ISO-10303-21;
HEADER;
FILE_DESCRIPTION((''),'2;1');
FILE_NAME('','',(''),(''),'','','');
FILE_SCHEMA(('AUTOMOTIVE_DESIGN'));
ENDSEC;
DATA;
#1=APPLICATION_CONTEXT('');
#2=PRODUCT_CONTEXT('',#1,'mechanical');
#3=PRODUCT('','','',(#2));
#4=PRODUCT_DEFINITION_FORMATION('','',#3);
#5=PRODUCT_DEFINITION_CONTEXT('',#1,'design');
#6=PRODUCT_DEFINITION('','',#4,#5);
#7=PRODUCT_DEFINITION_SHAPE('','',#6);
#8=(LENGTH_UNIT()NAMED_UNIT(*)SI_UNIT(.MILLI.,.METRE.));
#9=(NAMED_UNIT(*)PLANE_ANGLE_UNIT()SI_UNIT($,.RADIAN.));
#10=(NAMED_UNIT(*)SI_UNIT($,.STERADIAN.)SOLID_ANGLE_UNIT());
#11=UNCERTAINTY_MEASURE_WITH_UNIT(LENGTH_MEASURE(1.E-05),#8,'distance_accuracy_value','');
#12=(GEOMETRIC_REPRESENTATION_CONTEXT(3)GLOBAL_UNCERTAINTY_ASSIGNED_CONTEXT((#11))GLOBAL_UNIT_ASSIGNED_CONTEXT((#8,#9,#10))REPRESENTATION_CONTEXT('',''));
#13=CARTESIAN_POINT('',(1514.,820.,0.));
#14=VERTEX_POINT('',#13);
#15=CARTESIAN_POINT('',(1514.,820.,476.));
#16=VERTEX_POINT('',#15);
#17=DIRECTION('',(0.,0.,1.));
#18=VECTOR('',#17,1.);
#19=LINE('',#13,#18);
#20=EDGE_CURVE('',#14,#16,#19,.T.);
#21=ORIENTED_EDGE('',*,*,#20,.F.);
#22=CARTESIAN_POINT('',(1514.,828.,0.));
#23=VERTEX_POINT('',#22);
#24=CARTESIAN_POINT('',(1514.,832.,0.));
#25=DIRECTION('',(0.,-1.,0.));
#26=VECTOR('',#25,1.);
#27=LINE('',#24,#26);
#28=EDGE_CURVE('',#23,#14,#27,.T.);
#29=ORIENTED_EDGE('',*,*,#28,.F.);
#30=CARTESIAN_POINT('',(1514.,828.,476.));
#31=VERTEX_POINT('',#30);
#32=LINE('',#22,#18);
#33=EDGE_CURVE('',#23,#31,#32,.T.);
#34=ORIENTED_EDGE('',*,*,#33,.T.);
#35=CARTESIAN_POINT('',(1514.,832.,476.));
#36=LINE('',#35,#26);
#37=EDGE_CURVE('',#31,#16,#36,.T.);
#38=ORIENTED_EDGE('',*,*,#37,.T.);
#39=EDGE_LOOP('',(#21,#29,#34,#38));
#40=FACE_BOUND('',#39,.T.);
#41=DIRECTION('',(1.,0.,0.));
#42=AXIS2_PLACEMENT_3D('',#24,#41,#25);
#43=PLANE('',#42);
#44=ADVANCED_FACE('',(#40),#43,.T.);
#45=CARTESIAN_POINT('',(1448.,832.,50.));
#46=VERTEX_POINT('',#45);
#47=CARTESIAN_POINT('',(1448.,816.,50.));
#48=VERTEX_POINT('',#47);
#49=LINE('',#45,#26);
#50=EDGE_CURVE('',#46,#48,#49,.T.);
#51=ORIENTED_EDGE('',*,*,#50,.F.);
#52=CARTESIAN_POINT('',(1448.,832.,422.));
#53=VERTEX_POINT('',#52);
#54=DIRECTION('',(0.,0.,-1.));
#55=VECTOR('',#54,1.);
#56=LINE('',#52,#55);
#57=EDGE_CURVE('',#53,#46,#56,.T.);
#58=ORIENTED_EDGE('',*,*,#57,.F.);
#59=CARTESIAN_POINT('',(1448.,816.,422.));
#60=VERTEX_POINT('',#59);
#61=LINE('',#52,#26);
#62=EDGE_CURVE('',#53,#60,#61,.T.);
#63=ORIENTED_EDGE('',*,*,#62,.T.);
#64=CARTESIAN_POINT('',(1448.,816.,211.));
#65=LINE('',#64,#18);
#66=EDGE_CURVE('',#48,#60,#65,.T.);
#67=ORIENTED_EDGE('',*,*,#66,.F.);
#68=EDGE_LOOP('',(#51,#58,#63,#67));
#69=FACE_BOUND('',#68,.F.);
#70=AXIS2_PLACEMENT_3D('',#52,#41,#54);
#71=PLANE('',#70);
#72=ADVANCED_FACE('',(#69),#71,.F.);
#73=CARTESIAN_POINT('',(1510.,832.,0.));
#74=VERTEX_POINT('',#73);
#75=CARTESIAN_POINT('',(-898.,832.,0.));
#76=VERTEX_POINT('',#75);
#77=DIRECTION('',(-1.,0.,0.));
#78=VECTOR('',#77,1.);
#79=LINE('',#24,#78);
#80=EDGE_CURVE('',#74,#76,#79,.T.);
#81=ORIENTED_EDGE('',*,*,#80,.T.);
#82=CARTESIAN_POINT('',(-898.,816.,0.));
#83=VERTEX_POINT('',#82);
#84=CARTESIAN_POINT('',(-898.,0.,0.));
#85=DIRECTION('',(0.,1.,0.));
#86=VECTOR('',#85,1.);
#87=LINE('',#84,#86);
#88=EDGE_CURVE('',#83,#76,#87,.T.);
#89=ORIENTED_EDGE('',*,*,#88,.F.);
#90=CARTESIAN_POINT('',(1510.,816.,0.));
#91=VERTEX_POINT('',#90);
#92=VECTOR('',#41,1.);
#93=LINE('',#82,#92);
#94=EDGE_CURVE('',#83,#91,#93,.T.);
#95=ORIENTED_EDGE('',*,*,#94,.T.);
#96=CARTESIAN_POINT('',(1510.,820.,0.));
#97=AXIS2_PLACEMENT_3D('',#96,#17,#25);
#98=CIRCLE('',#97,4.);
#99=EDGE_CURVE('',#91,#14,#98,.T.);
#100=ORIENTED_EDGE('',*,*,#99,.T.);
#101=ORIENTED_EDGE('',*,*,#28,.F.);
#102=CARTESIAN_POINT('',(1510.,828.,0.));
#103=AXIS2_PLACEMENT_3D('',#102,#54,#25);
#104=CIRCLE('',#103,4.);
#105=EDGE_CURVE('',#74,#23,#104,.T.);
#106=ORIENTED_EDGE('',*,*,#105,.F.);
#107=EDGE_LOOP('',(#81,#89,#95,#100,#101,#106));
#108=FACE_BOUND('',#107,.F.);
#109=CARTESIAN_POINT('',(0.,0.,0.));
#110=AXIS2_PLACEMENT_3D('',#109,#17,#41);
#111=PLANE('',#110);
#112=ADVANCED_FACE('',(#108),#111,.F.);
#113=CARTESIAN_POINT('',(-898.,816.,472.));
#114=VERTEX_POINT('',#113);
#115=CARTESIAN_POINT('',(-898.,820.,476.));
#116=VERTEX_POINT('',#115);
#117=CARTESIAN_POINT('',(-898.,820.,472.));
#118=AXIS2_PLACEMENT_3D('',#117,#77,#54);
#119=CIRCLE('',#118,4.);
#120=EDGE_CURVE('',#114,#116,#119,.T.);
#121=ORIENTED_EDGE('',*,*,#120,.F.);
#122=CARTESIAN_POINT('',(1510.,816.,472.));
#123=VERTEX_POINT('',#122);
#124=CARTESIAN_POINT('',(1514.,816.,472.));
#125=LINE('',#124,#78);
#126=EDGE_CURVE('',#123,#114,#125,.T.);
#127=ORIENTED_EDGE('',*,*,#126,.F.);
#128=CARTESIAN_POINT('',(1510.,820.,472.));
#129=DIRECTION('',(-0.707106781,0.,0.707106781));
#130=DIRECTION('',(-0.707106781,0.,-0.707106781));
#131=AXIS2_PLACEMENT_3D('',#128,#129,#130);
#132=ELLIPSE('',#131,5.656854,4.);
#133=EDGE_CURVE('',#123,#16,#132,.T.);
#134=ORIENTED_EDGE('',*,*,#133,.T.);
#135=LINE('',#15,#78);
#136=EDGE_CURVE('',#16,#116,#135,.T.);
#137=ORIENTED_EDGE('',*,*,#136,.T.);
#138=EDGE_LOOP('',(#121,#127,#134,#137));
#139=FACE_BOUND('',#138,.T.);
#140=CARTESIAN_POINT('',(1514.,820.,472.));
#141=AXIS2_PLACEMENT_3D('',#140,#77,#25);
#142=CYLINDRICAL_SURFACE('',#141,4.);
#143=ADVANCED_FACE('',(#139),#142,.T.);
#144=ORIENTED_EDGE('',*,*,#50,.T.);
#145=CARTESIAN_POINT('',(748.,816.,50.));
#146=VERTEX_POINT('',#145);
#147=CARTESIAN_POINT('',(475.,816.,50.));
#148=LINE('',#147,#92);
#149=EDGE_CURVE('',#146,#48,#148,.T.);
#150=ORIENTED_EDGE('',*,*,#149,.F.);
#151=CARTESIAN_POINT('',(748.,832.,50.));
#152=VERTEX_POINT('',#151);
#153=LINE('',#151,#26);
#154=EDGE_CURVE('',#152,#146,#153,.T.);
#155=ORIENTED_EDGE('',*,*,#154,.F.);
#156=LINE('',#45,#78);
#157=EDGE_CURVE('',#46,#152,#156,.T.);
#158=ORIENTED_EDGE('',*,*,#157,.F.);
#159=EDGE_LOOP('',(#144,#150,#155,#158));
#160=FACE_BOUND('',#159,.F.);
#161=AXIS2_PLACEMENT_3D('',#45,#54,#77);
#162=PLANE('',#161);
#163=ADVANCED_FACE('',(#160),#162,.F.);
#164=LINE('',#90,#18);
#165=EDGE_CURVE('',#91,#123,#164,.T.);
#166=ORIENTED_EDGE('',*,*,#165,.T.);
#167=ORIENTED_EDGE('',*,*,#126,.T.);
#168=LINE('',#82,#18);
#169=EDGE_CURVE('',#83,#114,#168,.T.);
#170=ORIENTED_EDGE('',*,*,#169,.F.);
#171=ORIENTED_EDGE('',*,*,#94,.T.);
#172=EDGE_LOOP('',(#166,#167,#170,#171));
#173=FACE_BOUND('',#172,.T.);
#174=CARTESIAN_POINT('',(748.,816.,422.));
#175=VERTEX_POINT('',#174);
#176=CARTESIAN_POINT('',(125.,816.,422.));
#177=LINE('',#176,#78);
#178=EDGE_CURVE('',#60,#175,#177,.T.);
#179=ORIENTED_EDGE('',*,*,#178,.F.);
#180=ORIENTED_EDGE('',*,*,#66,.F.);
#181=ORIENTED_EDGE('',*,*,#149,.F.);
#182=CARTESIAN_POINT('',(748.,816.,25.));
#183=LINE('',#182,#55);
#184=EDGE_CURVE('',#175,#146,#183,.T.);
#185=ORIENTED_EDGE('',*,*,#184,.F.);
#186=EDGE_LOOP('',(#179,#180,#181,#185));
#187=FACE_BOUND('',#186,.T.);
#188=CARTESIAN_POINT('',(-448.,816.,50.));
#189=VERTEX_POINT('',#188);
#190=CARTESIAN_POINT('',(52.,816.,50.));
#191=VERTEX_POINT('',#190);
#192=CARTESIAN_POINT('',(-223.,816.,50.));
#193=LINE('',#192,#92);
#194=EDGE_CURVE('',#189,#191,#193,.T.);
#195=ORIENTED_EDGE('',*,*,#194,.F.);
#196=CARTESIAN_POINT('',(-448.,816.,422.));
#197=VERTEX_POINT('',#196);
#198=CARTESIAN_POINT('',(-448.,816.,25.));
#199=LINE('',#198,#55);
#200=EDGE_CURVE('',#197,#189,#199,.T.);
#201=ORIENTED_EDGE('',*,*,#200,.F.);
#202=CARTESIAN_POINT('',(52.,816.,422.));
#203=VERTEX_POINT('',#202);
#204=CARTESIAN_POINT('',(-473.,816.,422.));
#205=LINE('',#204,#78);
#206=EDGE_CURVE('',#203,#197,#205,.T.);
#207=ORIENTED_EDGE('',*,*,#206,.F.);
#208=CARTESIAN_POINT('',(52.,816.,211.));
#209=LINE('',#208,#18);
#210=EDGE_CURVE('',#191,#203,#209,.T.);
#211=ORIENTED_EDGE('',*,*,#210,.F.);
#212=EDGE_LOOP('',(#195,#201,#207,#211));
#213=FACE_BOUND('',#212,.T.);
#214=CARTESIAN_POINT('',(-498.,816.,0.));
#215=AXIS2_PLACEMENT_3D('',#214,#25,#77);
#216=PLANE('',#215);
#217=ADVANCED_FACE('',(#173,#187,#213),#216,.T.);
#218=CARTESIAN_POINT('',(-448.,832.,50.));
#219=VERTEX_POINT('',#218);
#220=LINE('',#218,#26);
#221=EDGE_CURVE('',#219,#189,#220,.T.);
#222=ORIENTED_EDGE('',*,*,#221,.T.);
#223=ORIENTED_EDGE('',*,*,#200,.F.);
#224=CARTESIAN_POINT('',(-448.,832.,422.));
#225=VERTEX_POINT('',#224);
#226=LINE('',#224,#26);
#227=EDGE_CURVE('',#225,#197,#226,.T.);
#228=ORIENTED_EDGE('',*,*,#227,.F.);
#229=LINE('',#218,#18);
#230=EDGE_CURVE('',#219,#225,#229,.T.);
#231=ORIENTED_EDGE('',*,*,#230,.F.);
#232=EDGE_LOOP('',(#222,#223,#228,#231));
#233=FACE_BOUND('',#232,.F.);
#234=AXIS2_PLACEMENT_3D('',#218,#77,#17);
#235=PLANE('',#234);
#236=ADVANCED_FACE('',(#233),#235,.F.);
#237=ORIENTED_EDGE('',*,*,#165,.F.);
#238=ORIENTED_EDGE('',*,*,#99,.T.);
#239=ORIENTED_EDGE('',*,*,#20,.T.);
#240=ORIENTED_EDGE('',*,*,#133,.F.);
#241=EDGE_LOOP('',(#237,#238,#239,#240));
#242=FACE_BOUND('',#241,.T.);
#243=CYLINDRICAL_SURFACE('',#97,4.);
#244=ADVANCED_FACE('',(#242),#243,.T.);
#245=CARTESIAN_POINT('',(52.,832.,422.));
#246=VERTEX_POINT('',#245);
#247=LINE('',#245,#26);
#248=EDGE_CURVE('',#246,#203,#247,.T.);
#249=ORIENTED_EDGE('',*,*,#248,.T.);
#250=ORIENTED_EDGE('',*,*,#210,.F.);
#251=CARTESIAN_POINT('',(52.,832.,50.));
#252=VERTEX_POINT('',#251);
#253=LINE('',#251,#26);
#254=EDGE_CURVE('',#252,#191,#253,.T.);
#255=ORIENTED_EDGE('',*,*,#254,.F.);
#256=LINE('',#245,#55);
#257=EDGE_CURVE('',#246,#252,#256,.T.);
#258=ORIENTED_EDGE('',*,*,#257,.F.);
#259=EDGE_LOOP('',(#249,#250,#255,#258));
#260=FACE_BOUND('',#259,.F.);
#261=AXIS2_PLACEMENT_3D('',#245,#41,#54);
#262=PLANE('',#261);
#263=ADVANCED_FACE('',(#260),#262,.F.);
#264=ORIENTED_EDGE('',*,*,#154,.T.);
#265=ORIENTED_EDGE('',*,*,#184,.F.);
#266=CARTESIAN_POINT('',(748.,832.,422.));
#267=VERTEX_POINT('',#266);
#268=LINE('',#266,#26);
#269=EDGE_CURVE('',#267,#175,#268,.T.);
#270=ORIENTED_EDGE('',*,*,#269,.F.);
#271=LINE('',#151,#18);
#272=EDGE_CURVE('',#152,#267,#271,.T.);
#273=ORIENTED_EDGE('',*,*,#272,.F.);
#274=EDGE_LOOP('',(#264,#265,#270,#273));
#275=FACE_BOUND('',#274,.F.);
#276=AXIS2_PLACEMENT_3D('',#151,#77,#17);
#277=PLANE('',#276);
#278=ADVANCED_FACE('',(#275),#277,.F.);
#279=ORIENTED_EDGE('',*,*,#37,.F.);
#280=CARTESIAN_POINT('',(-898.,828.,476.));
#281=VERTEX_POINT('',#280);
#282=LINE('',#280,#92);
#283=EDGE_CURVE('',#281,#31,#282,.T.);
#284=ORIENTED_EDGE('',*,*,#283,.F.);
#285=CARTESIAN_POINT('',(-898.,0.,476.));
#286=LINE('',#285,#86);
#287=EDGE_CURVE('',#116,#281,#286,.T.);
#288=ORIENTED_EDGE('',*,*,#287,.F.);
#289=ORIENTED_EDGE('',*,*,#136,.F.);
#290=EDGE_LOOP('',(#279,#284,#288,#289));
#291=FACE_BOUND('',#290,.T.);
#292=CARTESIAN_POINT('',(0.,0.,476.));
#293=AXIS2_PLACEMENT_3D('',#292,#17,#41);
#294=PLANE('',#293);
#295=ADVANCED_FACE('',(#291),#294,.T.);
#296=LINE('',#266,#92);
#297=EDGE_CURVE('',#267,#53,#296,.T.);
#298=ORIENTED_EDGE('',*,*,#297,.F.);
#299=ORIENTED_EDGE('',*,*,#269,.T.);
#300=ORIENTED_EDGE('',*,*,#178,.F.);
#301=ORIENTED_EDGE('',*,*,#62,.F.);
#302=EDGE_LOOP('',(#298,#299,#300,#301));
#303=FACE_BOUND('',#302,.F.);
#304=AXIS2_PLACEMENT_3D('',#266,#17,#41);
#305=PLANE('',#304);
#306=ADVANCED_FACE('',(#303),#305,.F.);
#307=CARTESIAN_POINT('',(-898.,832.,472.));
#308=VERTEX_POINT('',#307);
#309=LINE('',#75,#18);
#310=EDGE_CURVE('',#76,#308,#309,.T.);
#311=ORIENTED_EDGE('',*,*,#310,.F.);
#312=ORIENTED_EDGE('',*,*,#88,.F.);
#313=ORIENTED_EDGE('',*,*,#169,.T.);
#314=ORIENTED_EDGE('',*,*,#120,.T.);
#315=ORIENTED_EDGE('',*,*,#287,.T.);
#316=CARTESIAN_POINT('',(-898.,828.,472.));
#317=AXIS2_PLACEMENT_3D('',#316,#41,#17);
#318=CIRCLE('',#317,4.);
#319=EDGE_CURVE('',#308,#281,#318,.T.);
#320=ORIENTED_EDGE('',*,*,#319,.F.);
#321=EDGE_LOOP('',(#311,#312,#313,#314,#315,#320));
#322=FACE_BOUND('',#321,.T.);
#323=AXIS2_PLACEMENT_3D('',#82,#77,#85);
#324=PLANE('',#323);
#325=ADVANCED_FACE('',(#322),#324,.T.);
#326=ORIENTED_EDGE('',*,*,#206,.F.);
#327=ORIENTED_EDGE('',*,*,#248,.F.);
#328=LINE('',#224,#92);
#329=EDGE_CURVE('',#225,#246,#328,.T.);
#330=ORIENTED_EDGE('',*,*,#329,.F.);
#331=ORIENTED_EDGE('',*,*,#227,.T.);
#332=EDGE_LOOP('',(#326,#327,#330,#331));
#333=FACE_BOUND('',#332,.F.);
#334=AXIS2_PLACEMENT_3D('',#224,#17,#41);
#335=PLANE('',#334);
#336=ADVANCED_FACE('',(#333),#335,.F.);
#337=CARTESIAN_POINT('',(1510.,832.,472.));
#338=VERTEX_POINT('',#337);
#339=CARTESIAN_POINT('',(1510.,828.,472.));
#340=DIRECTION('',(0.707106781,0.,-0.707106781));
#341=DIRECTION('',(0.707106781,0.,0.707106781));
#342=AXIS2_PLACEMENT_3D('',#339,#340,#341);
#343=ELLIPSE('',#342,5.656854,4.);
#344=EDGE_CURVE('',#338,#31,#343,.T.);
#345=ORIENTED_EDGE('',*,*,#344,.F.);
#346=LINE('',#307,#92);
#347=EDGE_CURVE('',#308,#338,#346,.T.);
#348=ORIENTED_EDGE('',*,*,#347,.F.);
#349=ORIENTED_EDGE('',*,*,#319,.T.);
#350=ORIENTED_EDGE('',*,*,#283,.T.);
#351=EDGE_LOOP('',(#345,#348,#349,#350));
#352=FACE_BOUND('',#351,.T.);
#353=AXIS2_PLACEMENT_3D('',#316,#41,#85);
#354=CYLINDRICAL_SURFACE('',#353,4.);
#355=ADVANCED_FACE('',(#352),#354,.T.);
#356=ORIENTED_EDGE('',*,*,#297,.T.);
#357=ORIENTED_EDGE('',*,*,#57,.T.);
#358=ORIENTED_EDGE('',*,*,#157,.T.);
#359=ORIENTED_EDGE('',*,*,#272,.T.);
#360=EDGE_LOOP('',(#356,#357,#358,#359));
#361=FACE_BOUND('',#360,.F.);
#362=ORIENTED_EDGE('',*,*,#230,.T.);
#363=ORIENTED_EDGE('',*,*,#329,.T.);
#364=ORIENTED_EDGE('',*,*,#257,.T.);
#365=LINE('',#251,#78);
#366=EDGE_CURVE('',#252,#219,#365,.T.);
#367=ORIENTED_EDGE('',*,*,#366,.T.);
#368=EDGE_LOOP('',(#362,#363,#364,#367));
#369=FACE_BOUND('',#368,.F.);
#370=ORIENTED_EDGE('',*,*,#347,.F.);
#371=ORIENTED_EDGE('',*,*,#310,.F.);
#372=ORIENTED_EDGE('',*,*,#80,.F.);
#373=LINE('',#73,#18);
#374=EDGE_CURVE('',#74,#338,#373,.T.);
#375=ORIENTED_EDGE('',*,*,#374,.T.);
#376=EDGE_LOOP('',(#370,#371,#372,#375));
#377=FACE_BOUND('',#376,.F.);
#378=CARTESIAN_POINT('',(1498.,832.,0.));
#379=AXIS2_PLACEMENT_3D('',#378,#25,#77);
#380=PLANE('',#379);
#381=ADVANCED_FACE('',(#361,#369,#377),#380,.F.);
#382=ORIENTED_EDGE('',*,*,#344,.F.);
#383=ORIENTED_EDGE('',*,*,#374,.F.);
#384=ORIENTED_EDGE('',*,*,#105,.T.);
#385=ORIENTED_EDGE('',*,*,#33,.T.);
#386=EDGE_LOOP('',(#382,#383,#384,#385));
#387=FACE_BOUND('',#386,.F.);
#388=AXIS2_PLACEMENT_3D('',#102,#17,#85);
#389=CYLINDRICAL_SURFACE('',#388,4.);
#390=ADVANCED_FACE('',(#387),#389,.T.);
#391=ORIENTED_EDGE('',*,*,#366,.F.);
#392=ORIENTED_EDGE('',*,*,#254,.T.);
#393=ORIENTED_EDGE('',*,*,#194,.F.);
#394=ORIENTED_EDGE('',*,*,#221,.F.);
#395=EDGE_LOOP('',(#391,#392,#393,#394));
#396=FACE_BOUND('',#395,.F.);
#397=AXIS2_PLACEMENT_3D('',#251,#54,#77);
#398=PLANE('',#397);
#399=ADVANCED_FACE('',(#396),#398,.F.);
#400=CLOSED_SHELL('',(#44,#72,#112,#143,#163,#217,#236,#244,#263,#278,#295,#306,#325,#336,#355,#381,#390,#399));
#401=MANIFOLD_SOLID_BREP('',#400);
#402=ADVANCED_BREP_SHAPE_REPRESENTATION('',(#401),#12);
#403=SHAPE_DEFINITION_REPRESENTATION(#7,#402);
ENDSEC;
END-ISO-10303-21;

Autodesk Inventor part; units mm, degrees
ref_plane "YZ Plane" through (0, 0, 0) normal (1, 0, 0) x (0, 1, 0)
ref_plane "XZ Plane" through (0, 0, 0) normal (0, 1, 0) x (-1, 0, 0)
ref_plane "XY Plane" through (0, 0, 0) normal (0, 0, 1) x (1, 0, 0)
sketch "Sketch1" plane through (0, 0, 0) normal (0, 0, 1) x (1, 0, 0)
  line L0 (-1498, 0) -> (1498, 0) construction
  line L1 (-1498, 0) -> (-898, 0)
  line L2 (-898, 0) -> (-898, 2068)
  line L3 (-898, 2068) -> (-1498, 2068)
  line L4 (-1498, 2068) -> (-1498, 0)
  line L5 (-898, 0) -> (-498, 0)
  line L6 (-498, 0) -> (-498, 816)
  line L7 (-498, 816) -> (-898, 816)
  line L8 (-898, 816) -> (-898, 0)
  line L9 (-498, 0) -> (102, 0)
  line L10 (102, 0) -> (102, 816)
  line L11 (102, 816) -> (-498, 816)
  line L12 (-498, 816) -> (-498, 0)
  line L13 (102, 0) -> (698, 0)
  line L14 (698, 0) -> (698, 668)
  line L15 (698, 668) -> (102, 668)
  line L16 (102, 668) -> (102, 0)
  line L17 (698, 0) -> (1498, 0)
  line L18 (1498, 0) -> (1498, 816)
  line L19 (1498, 816) -> (698, 816)
  line L20 (698, 816) -> (698, 0)
  line L21 (-1498, 0) -> (1498, 0)
  line L22 (1498, 0) -> (1498, 96)
  line L23 (1498, 96) -> (-1498, 96)
  line L24 (-1498, 96) -> (-1498, 0)
  line L25 (-898, 816) -> (1498, 816)
  line L26 (1498, 816) -> (1498, 832)
  line L27 (1498, 832) -> (-898, 832)
  line L28 (-898, 832) -> (-898, 816)
  line L29 (-898, 1972) -> (-498, 1972)
  line L30 (-498, 1972) -> (-498, 1372)
  line L31 (-498, 1372) -> (-898, 1372)
  line L32 (-898, 1372) -> (-898, 1972)
  line L33 (698, 1972) -> (1498, 1972)
  line L34 (1498, 1972) -> (1498, 1372)
  line L35 (1498, 1372) -> (698, 1372)
  line L36 (698, 1372) -> (698, 1972)
  line L37 (698, 1372) -> (98, 1372)
  line L38 (98, 1372) -> (98, 1972)
  line L39 (98, 1972) -> (698, 1972)
  line L40 (698, 1972) -> (698, 1372)
  line L41 (-498, 1372) -> (98, 1372)
  line L42 (-498, 1372) -> (-275, 1637.7611)
  line L43 (98, 1372) -> (-125, 1637.7611)
  line L44 (-275, 1637.7611) -> (-125, 1637.7611)
  line L45 (-125, 1637.7611) -> (-125, 2068)
  line L46 (-125, 2068) -> (-275, 2068)
  line L47 (-275, 2068) -> (-275, 1637.7611)
  line L48 (1098, 816) -> (1098, 96)
  line L49 (-198, 816) -> (-198, 96)
  line L50 (-898, 668) -> (-498, 668)
  line L51 (-1498, 520) -> (-898, 520)
  line L52 (-1498, 1579) -> (-898, 1579)
  line L53 (398, 1972) -> (398, 1372)
  line L54 (1098, 1972) -> (1098, 1372)
  line L55 (698, 1876) -> (1498, 1876)
  line L56 (698, 1468) -> (1498, 1468)
  line L57 (-1498, 1049.5) -> (-898, 1049.5)
  line L58 (1498, 832) -> (1514, 832)
  line L59 (1514, 832) -> (1514, 816)
  line L60 (1514, 816) -> (1498, 816)
  line L61 (1498, 816) -> (1498, 832)
  point P0 (0, 0)
  point P1 (0, 0)
  point P2 (0, 0)
  point P3 (-198, 816)
  point P4 (0, 0)
  dimension "d0" = 2996
  dimension "d1" = 600
  dimension "d2" = 2068
  dimension "d3" = 400
  dimension "d4" = 816
  dimension "d5" = 600
  dimension "d6" = 816
  dimension "d7" = 596
  dimension "d8" = 668
  dimension "d9" = 800
  dimension "d10" = 816
  dimension "d11" = 96
  dimension "d12" = 16
  dimension "d13" = 400
  dimension "d14" = 600
  dimension "d15" = 96
  dimension "d16" = 800
  dimension "d17" = 600
  dimension "d18" = 600
  dimension "d19" = 600
  dimension "d20" = 50
  dimension "d21" = 150
  dimension "d22" = 148
  dimension "d23" = 1059
  dimension "d24" = 96
  dimension "d25" = 96
  dimension "d26" = 529.5
  dimension "d27" = 16
extrude "Extrusion1" add sketch "Sketch1" along normal blind 476 contours L2 L27 L26 L19 L25 L11 L7 | L58 L59 L60 L26
fillet "Fillet1" radius 4 4 edges at (300, 832, 476) (-698, 816, 476) (1514, 832, 238) (1514, 816, 238)
sketch "Sketch2" plane through (-898, 832, 0) normal (0, 1, 0) x (1, 0, 0)
  line L0 (2408, -472) -> (0, -472) projected
  line L1 (400, 0) -> (1000, 0)
  line L2 (1000, 0) -> (1000, -472)
  line L3 (1000, -472) -> (400, -472)
  line L4 (400, -472) -> (400, 0)
  line L5 (1596, 0) -> (2396, 0)
  line L6 (2396, 0) -> (2396, -472)
  line L7 (2396, -472) -> (1596, -472)
  line L8 (1596, -472) -> (1596, 0)
  line L9 (950, -422) -> (950, -50)
  line L10 (950, -50) -> (450, -50)
  line L11 (450, -50) -> (450, -422)
  line L12 (450, -422) -> (950, -422)
  line L13 (2346, -50) -> (1646, -50)
  line L14 (1646, -50) -> (1646, -422)
  line L15 (1646, -422) -> (2346, -422)
  line L16 (2346, -422) -> (2346, -50)
  point P0 (898, 0)
  point P1 (400, 0)
  point P2 (1000, 0)
  point P3 (1596, 0)
  point P4 (2396, 0)
  dimension "d31" = 50
  dimension "d32" = 50
extrude "Extrusion2" cut sketch "Sketch2" against normal blind 20 contours L12 L11 L10 L9 | L16 L15 L14 L13
properties part number "Countertop"
